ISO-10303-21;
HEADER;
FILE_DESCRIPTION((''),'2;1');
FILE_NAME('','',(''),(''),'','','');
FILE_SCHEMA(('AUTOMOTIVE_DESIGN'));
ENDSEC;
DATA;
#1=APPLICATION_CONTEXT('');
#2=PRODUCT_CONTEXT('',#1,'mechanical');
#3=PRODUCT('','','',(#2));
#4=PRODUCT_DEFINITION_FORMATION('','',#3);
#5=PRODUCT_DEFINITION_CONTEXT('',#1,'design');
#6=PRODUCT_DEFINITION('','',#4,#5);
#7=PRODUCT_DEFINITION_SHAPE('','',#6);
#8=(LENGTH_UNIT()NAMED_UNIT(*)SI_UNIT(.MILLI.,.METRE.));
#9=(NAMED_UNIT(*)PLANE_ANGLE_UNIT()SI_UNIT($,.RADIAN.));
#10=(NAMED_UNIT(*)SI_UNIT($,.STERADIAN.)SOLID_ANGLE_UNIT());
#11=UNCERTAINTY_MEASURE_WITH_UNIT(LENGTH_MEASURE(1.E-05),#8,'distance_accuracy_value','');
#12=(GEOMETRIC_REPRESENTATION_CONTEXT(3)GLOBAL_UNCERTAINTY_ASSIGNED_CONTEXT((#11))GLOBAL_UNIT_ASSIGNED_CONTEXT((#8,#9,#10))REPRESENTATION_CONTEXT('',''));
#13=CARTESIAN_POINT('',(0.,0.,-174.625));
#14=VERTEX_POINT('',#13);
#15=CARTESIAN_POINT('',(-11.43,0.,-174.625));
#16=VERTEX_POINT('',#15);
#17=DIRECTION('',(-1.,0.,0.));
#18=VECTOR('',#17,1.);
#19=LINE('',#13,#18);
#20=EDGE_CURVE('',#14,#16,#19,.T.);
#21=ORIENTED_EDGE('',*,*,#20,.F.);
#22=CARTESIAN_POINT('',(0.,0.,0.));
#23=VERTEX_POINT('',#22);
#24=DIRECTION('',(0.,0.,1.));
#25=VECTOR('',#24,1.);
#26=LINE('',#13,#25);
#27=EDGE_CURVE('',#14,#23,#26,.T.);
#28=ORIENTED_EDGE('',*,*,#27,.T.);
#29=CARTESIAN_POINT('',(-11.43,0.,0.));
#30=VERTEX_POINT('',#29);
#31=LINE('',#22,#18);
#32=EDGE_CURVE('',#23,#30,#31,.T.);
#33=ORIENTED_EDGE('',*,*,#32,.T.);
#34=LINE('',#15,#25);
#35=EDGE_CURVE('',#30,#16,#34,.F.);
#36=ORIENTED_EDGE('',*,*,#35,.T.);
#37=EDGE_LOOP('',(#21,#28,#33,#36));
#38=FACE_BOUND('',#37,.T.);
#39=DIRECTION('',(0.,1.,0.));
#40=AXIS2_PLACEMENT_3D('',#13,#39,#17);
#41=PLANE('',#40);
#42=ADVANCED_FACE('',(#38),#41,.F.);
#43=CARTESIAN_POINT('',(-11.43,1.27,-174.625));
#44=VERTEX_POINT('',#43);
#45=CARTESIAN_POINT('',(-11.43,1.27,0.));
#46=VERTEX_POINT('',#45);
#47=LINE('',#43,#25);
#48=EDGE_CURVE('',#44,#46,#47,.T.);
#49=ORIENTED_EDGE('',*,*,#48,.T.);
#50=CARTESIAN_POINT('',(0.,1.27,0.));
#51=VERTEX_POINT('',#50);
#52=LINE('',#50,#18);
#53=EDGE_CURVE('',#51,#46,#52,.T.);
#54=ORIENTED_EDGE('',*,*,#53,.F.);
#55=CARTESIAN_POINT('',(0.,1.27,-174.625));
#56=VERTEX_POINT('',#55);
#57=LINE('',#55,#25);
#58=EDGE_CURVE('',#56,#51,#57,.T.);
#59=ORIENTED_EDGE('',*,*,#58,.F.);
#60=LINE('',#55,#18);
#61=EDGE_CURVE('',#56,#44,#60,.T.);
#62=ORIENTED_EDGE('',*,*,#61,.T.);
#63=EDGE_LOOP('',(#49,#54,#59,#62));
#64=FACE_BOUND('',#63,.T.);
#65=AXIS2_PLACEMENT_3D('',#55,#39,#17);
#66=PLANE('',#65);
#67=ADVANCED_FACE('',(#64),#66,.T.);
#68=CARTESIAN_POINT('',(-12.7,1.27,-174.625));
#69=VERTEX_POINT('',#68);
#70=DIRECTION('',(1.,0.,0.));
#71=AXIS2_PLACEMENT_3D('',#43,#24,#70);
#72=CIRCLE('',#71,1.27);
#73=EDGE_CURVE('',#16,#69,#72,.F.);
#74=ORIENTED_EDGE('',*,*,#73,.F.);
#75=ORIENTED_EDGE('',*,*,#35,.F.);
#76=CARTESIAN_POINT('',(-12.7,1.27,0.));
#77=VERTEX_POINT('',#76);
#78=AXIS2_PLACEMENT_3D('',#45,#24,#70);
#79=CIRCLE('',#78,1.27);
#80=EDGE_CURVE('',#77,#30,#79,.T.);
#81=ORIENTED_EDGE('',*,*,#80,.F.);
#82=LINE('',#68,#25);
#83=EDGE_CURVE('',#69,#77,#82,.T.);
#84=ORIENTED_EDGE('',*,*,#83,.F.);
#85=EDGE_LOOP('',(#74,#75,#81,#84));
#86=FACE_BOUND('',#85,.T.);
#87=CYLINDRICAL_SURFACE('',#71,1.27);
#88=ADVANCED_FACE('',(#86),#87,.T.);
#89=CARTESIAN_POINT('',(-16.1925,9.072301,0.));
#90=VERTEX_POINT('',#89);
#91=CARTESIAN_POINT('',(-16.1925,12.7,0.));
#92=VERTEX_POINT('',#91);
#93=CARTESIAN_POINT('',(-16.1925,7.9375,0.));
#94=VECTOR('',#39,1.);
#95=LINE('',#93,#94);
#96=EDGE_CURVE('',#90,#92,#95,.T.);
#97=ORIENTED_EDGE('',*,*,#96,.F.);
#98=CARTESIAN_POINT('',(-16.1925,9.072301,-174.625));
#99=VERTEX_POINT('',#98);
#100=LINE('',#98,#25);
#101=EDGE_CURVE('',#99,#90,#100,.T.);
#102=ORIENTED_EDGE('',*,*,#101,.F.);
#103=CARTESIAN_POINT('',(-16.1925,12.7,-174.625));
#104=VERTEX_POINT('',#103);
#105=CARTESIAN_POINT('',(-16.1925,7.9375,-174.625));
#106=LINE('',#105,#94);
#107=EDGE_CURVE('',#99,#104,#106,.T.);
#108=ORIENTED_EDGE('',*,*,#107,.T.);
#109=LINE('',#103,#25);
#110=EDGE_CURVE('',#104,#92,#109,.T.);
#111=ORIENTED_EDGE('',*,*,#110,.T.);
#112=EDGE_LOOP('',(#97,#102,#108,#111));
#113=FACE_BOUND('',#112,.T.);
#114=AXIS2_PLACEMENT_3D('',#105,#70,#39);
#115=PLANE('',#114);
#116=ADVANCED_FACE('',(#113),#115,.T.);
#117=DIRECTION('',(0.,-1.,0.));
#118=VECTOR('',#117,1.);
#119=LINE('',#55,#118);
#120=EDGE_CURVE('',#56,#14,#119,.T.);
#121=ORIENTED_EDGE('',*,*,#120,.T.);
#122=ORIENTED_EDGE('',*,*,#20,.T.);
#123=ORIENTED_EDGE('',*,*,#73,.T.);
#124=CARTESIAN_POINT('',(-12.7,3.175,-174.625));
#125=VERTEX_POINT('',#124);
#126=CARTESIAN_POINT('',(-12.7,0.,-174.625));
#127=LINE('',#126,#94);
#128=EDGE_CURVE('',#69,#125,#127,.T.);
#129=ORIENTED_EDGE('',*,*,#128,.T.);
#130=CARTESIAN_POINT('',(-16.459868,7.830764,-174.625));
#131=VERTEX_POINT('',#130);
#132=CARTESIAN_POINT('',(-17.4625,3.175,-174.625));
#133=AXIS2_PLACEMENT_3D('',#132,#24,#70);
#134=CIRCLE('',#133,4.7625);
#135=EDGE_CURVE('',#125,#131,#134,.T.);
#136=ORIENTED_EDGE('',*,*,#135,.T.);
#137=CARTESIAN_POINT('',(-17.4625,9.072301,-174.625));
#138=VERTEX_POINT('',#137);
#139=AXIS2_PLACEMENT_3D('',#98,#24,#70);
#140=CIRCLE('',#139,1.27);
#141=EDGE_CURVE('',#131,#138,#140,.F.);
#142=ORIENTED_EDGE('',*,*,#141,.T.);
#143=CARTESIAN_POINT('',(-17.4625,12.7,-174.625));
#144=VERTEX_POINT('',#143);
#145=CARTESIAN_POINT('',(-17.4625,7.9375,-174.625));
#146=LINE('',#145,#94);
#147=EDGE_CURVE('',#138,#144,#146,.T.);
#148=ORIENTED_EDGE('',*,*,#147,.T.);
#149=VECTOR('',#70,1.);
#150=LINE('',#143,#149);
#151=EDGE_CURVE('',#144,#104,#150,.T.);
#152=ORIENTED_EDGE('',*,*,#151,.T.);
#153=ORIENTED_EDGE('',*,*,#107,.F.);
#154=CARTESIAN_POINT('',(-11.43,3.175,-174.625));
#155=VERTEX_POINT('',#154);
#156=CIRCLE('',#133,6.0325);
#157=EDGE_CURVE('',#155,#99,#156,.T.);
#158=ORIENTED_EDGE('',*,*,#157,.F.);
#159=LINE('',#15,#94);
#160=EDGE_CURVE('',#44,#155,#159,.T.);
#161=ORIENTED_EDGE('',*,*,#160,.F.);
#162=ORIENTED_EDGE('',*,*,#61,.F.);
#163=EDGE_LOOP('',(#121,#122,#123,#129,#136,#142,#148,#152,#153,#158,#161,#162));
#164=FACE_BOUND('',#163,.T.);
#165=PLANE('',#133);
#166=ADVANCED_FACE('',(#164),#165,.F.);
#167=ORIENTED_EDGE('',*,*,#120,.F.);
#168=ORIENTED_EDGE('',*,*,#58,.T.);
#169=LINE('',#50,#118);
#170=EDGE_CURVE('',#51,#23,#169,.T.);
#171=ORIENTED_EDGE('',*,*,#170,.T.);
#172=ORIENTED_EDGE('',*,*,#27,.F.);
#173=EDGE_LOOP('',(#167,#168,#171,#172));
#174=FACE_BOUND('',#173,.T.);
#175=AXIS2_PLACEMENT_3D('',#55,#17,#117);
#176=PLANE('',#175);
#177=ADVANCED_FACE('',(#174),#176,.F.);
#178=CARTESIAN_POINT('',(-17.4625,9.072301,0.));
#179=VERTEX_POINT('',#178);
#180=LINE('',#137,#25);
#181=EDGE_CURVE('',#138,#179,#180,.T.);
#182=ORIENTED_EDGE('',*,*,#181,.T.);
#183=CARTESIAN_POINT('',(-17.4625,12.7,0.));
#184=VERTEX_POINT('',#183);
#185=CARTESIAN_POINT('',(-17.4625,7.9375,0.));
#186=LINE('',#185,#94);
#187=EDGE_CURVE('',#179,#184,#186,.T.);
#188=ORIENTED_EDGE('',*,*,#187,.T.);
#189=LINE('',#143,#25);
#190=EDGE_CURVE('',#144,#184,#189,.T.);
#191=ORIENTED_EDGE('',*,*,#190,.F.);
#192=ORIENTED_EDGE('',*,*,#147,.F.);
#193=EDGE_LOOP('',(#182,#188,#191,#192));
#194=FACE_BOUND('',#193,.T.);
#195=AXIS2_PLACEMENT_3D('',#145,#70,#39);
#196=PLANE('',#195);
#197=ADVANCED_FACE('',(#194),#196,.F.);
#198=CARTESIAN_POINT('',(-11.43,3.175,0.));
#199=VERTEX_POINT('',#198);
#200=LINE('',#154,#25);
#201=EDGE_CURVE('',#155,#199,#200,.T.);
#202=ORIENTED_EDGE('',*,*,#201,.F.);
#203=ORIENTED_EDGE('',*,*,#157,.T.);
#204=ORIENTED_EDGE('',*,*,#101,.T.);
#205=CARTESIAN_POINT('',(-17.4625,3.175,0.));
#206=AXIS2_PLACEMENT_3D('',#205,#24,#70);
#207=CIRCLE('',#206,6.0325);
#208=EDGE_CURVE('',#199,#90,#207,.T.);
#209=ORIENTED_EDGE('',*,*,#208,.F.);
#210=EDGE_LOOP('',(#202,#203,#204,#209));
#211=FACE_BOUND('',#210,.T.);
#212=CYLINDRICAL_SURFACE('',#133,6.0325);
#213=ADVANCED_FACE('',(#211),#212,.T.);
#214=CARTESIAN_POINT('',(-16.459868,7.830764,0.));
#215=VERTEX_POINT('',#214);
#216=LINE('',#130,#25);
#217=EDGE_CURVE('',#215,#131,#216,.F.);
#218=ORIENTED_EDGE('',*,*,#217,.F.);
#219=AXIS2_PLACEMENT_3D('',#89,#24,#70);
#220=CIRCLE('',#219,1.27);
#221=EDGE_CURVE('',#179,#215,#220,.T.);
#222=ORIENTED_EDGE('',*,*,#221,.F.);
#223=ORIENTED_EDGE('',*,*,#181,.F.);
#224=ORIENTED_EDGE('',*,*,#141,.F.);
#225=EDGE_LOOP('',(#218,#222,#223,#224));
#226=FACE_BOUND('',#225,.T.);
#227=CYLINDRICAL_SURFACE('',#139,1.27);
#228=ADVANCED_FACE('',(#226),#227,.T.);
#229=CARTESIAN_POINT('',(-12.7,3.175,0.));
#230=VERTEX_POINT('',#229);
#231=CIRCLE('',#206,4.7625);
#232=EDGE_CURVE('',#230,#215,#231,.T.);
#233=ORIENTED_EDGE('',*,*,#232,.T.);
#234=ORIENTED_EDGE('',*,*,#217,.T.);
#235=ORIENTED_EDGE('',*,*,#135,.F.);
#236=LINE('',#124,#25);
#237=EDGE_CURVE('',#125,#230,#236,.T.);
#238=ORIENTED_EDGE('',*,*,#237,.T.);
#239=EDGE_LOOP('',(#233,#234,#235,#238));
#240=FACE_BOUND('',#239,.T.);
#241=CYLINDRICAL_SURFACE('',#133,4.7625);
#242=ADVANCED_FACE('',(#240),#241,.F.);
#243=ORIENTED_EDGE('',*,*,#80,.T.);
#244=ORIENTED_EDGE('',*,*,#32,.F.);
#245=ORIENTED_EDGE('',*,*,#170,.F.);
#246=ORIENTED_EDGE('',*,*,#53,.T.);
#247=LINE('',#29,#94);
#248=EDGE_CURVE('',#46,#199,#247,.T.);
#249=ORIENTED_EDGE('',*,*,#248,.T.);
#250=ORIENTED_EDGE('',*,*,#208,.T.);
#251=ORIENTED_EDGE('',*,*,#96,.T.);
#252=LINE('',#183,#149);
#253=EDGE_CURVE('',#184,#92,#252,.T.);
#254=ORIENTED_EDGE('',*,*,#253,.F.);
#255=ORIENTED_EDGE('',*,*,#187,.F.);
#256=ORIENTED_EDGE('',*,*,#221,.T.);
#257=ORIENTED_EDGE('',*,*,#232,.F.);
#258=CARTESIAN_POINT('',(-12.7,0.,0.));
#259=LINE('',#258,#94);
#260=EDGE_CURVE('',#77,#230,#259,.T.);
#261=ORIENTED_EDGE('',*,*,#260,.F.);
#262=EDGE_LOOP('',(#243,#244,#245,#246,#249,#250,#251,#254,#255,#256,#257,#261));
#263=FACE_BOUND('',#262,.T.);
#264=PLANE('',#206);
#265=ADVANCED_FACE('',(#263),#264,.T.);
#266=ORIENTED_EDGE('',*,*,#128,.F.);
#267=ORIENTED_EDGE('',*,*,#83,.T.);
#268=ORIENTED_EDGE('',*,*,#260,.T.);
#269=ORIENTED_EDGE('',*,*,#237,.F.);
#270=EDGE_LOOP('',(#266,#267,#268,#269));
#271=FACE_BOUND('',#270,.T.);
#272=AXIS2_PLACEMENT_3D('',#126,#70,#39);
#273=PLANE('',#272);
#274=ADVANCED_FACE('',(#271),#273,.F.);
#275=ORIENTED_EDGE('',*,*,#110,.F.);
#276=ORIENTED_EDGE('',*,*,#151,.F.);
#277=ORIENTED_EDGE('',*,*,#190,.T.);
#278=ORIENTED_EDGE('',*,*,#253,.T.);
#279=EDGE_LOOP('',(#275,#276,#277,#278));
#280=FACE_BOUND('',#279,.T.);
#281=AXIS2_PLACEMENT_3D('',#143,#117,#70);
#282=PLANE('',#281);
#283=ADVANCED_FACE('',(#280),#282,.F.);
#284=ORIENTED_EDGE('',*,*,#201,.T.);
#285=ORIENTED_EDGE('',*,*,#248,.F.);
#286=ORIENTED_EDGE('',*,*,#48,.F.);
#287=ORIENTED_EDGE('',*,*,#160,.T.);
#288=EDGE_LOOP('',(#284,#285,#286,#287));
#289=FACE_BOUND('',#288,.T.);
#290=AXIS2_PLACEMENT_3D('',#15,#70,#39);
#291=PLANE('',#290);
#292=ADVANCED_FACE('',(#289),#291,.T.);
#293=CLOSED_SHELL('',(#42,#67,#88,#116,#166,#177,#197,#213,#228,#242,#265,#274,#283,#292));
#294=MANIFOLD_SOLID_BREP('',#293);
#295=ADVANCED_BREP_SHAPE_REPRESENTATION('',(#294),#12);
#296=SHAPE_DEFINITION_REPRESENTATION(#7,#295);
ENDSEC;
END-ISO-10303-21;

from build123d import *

# Parameters (mm, degrees)
EXTRUDE_THIN1_DEPTH = 174.625
FILLET1_R           = 1.27


with BuildPart() as part:
    # Sketch1 → Extrude-Thin1 (new body)
    with BuildSketch(Plane.XY):
        with BuildLine():
            Line((0, 0), (-12.7, 0))
            Line((-12.7, 0), (-12.7, 3.175))
            ThreePointArc((-12.7, 3.175), (-14.094903955, 6.542596045), (-17.4625, 7.9375))
            Line((-17.4625, 7.9375), (-17.4625, 12.7))
            Line((-17.4625, 12.7), (-16.1925, 12.7))
            Line((-16.1925, 12.7), (-16.1925, 9.07230076))
            ThreePointArc((-16.1925, 9.07230076), (-12.769295804, 6.965104303), (-11.43, 3.175))
            Line((-11.43, 3.175), (-11.43, 1.27))
            Line((-11.43, 1.27), (0, 1.27))
            Line((0, 1.27), (0, 0))
        make_face()
    extrude(amount=-EXTRUDE_THIN1_DEPTH)

    # Fillet1
    fillet1_edges = [part.edges().sort_by_distance(p)[0] for p in [
        (-12.7, 0, -87.3125),
        (-17.4625, 7.9375, -87.3125),
    ]]
    fillet(fillet1_edges, radius=FILLET1_R)


solid = part.part
